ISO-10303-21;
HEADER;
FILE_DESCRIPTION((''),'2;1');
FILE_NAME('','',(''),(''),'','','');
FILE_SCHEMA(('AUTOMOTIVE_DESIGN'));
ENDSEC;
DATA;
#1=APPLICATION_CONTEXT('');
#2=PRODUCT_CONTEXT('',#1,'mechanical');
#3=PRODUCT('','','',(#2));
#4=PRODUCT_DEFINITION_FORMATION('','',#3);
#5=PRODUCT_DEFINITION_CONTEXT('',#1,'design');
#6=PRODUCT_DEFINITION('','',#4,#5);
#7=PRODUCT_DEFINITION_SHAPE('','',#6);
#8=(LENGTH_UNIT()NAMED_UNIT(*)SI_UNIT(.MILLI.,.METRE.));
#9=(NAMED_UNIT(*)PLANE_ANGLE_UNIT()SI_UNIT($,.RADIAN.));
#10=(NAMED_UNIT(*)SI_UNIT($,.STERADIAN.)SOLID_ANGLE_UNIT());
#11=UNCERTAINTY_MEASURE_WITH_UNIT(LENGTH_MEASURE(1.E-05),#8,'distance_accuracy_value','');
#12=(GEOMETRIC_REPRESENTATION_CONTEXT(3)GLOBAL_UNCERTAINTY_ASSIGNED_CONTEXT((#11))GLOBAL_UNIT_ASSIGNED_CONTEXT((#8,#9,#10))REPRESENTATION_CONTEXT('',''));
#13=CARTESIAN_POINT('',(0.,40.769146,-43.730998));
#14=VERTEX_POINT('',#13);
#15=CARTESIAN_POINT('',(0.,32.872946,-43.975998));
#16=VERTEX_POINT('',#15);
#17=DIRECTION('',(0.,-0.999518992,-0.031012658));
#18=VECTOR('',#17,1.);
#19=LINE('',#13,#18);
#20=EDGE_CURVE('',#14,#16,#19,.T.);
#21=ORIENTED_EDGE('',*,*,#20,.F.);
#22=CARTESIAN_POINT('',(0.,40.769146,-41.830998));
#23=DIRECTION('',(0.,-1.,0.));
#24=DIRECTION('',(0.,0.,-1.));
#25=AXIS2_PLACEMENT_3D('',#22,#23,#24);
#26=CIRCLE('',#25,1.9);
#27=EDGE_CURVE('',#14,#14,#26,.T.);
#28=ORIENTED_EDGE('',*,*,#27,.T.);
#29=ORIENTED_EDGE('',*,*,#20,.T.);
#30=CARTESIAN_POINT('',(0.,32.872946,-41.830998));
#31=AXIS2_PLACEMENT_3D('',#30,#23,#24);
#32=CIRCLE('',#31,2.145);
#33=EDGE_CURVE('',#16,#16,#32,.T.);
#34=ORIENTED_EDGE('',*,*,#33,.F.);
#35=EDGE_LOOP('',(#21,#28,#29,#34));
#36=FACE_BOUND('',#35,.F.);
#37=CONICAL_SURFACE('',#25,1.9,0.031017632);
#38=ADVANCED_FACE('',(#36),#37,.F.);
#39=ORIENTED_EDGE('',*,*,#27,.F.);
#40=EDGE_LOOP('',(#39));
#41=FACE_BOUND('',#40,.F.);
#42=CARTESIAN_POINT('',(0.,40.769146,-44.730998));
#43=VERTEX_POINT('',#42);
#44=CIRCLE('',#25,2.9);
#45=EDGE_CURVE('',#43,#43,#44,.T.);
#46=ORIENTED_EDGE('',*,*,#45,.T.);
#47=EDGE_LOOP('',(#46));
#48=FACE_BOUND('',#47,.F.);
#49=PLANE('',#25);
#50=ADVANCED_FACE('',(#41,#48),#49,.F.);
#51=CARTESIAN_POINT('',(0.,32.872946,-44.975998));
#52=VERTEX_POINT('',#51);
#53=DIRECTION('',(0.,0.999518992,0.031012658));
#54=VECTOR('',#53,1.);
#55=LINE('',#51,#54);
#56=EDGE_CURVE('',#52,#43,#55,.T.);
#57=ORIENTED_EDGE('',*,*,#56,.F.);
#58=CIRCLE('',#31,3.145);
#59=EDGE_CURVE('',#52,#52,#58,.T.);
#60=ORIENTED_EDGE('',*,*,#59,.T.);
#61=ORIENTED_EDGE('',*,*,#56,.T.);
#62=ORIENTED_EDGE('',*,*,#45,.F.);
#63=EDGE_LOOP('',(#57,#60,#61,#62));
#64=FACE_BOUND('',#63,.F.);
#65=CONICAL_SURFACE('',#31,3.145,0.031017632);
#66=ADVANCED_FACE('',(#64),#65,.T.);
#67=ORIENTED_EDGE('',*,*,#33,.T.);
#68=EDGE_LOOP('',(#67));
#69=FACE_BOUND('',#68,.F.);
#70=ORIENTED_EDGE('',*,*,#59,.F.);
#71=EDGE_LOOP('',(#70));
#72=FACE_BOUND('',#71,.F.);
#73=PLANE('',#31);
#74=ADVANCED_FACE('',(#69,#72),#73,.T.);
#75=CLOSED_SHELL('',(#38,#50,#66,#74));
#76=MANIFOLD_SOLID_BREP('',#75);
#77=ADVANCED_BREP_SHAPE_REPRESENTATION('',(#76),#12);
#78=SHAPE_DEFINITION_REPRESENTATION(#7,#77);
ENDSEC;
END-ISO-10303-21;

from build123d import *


with BuildPart() as f1:
    # F0 (on Right) → F1 (revolve)
    with BuildSketch(Plane.YZ):
        Polygon((40.769146, -44.730998), (40.769146, -43.730998), (32.872946, -43.975998), (32.872946, -44.975998), align=None)
    revolve(axis=Axis((0, 36.821046, -41.830998), (0, -1, 0)))


solid = f1.part
